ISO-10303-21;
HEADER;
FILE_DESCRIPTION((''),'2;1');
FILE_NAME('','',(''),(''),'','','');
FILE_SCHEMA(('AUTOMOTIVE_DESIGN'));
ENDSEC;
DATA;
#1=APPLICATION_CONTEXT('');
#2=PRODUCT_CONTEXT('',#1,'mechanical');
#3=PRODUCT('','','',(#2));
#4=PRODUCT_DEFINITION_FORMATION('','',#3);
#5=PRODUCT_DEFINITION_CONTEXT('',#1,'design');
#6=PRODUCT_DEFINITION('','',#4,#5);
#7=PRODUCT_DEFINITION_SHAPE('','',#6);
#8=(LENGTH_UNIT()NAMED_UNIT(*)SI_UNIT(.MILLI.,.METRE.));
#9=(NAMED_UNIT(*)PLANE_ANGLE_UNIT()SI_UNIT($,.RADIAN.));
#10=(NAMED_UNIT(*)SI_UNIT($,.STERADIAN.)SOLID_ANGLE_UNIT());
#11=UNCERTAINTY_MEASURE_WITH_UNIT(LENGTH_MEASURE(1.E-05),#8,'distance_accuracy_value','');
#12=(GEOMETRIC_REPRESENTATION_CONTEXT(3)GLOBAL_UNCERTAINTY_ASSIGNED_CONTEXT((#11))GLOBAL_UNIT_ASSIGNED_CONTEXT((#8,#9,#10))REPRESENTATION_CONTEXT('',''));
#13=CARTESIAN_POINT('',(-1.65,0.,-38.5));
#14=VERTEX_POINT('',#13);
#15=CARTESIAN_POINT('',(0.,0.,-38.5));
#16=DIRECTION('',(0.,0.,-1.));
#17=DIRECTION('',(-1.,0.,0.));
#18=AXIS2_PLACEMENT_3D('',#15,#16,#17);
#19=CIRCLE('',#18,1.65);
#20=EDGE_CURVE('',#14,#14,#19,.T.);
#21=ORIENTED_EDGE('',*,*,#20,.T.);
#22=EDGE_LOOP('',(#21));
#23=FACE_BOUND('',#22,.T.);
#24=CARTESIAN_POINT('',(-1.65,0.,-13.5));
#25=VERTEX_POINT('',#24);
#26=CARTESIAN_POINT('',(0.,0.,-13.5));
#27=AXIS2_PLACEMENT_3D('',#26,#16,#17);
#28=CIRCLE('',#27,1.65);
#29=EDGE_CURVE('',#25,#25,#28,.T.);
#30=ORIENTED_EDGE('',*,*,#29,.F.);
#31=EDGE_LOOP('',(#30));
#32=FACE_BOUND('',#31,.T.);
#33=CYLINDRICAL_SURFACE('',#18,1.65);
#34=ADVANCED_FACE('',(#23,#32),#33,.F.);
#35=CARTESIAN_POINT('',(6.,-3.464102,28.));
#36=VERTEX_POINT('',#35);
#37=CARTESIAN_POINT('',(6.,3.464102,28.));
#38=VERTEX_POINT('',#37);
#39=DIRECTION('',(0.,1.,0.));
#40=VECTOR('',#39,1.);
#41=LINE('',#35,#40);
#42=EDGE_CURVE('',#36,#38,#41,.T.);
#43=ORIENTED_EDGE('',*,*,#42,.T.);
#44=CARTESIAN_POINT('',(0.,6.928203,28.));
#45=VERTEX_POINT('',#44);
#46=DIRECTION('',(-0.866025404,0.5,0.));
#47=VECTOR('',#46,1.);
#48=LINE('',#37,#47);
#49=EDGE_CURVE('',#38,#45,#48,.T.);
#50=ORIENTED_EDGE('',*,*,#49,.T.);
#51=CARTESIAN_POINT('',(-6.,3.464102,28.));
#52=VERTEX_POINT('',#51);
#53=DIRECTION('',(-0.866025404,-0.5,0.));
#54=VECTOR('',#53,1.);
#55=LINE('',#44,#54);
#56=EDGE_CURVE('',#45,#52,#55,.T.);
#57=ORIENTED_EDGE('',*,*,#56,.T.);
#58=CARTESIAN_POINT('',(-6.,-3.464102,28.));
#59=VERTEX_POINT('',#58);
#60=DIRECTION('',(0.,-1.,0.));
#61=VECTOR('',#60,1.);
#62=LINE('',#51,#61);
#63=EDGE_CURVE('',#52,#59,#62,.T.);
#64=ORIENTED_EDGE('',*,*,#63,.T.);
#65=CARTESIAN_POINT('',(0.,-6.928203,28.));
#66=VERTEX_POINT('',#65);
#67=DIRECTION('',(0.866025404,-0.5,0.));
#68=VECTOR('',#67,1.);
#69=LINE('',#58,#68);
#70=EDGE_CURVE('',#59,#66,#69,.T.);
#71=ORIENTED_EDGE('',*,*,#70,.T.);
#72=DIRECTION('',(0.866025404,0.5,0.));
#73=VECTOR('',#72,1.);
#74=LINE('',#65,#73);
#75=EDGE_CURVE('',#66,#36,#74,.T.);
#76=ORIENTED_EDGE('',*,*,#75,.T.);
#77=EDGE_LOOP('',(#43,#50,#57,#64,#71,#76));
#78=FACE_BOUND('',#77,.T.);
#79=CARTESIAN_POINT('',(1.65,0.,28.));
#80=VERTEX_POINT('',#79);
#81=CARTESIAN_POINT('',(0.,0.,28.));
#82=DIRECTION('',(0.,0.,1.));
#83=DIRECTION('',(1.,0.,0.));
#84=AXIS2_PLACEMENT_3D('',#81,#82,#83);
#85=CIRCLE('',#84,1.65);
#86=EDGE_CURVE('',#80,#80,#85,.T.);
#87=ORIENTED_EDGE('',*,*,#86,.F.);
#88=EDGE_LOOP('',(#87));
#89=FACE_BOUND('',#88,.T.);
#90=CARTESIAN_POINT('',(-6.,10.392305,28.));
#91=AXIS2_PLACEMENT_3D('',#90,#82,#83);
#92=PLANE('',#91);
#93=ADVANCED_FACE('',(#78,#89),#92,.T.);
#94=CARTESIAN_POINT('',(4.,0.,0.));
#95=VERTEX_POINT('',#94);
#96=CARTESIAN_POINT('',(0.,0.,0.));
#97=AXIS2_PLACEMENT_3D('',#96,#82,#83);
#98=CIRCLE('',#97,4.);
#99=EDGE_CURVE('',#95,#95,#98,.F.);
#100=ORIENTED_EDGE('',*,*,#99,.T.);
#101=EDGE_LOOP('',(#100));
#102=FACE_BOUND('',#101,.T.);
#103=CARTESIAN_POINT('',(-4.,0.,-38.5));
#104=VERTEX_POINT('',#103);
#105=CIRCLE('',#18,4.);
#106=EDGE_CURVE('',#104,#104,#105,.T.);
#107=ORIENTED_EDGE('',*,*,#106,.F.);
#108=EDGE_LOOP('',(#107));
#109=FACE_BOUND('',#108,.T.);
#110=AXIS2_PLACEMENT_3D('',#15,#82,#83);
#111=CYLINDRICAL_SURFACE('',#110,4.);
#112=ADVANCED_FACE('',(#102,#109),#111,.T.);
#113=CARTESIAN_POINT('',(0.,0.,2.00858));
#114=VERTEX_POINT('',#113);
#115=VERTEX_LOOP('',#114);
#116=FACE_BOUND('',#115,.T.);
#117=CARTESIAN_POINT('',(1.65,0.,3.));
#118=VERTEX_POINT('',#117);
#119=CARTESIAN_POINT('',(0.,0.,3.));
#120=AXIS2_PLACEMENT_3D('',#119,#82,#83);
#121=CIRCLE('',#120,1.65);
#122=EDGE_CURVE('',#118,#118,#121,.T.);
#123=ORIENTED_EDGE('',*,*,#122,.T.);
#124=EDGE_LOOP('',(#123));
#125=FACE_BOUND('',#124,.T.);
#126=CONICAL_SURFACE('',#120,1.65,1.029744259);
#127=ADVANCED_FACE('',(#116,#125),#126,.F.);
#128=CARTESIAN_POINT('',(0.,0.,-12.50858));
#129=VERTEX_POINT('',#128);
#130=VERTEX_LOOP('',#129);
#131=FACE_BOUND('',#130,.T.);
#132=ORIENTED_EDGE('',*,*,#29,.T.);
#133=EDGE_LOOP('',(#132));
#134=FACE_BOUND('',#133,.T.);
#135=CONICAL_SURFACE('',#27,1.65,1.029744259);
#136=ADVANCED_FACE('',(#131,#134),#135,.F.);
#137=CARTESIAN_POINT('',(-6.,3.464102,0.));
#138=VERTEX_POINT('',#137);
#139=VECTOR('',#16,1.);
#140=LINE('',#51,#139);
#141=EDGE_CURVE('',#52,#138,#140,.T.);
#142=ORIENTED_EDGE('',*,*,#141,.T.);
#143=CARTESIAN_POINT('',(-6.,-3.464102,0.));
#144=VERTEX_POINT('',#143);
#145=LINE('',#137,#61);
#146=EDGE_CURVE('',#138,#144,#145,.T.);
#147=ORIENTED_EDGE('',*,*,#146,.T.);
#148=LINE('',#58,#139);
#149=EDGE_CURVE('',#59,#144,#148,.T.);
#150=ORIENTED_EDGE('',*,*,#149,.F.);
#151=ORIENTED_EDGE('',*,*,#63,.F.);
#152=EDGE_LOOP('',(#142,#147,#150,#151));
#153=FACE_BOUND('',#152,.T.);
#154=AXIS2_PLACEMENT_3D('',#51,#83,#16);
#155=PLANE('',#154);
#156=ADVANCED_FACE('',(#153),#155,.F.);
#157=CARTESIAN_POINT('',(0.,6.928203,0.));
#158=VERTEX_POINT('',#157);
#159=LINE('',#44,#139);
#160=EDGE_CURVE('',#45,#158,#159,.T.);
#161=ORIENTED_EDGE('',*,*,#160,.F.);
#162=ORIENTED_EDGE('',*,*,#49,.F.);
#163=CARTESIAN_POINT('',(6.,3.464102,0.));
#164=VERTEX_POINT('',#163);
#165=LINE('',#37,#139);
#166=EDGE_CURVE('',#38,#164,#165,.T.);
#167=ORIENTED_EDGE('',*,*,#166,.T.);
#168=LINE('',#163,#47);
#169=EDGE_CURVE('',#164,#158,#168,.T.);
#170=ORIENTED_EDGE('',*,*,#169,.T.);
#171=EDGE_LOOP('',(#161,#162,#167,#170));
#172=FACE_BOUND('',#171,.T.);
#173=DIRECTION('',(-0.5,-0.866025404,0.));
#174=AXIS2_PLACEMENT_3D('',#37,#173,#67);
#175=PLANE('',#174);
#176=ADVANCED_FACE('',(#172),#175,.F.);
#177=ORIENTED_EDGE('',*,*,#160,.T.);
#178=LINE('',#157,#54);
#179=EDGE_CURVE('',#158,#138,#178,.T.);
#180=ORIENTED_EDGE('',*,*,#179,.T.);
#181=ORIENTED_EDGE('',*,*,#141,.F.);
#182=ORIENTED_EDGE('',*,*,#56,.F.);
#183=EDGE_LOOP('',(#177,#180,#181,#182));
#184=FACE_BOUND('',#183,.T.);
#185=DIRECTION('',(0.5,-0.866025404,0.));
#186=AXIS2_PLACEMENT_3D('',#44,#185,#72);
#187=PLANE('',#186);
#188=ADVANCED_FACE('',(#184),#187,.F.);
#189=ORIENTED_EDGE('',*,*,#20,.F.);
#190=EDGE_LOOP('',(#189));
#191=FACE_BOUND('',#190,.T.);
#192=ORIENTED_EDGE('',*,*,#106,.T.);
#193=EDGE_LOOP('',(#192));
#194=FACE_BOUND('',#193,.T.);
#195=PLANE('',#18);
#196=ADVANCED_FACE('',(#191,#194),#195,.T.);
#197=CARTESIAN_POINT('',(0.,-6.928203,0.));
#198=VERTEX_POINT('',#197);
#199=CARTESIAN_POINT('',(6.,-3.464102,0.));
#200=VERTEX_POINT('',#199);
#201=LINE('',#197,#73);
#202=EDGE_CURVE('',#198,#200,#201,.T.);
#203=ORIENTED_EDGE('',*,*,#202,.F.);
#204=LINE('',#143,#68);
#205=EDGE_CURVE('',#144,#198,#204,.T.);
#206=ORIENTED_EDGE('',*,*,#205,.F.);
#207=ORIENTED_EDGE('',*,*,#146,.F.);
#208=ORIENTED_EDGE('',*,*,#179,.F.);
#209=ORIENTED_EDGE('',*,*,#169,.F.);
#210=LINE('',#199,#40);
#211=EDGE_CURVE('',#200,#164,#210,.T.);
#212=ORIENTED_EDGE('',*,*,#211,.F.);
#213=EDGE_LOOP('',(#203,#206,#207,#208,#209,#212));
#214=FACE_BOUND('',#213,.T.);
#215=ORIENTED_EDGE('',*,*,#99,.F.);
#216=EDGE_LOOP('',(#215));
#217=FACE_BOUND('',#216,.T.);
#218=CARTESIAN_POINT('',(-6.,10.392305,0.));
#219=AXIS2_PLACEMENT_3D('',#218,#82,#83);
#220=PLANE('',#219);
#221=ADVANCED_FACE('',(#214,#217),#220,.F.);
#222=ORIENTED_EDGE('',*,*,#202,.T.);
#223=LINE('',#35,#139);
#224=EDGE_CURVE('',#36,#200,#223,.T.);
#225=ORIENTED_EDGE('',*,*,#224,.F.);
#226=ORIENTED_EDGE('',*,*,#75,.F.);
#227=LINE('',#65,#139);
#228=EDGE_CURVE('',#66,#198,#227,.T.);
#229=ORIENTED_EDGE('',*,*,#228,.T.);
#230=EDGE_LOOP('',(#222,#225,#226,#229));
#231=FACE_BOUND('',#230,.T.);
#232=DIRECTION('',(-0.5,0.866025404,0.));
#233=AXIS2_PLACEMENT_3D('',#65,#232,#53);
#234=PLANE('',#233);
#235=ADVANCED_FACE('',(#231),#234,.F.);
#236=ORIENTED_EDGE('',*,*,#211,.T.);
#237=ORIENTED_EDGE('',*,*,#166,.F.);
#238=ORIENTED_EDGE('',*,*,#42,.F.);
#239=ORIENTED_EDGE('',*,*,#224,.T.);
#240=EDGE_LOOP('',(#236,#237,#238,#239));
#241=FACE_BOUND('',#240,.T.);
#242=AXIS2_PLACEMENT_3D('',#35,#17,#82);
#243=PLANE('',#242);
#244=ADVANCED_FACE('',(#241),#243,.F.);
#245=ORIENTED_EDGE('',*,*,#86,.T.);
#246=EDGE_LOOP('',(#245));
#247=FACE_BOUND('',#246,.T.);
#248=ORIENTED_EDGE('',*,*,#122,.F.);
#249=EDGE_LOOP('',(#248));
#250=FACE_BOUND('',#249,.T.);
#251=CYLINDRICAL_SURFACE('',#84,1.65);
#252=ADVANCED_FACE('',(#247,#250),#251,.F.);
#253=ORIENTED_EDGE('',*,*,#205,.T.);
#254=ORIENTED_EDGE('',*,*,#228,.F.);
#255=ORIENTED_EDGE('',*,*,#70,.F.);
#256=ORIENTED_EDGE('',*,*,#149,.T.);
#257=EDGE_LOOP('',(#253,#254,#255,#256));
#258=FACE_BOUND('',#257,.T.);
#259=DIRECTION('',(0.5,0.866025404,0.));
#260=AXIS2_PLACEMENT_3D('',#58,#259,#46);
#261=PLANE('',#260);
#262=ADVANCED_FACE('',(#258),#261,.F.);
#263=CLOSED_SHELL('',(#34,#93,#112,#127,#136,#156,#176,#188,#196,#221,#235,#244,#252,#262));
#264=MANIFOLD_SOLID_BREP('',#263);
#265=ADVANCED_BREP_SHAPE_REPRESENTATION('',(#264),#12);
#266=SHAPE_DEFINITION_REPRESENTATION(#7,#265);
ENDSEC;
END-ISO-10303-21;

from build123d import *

# Parameters (mm, degrees)
BASE_EXTRUSION_DEPTH = 28
ESQUISSE2_R          = 4
BOSS_EXTRU_1_DEPTH   = 38.5
PER_AGE1_D           = 3.3
PER_AGE1_DEPTH       = 25
PER_AGE1_TIP         = 0.991420021
PER_AGE2_D           = 3.3
PER_AGE2_DEPTH       = 25
PER_AGE2_TIP         = 0.991420021


with BuildPart() as part:
    # Esquisse1 → Base-Extrusion (new body)
    with BuildSketch(Plane.XY):
        Polygon((0, 6.92820323), (-6, 3.464101615), (-6, -3.464101615), (0, -6.92820323), (6, -3.464101615), (6, 3.464101615), align=None)
    extrude(amount=BASE_EXTRUSION_DEPTH)

    # Esquisse2 → Boss.-Extru.1 (add)
    with BuildSketch(Plane(origin=(0, 0, 0), x_dir=(-1, 0, 0), z_dir=(0, 0, -1))):
        with Locations(Location((0, 0, 0), (0, 0, 180))):
            Circle(ESQUISSE2_R)
    extrude(amount=BOSS_EXTRU_1_DEPTH)

    # Perçage1
    with Locations(Plane.XY.offset(28)):
        with Locations((0, 0)):
            Hole(PER_AGE1_D / 2, depth=PER_AGE1_DEPTH)
            with Locations((0, 0, -(PER_AGE1_DEPTH + PER_AGE1_TIP / 2))):  # 118° drill point
                Cone(0, PER_AGE1_D / 2, PER_AGE1_TIP, mode=Mode.SUBTRACT)

    # Perçage2
    with Locations(Plane(origin=(0, 0, -38.5), x_dir=(-1, 0, 0), z_dir=(0, 0, -1))):
        with Locations((0, 0)):
            Hole(PER_AGE2_D / 2, depth=PER_AGE2_DEPTH)
            with Locations((0, 0, -(PER_AGE2_DEPTH + PER_AGE2_TIP / 2))):  # 118° drill point
                Cone(0, PER_AGE2_D / 2, PER_AGE2_TIP, mode=Mode.SUBTRACT)


solid = part.part
